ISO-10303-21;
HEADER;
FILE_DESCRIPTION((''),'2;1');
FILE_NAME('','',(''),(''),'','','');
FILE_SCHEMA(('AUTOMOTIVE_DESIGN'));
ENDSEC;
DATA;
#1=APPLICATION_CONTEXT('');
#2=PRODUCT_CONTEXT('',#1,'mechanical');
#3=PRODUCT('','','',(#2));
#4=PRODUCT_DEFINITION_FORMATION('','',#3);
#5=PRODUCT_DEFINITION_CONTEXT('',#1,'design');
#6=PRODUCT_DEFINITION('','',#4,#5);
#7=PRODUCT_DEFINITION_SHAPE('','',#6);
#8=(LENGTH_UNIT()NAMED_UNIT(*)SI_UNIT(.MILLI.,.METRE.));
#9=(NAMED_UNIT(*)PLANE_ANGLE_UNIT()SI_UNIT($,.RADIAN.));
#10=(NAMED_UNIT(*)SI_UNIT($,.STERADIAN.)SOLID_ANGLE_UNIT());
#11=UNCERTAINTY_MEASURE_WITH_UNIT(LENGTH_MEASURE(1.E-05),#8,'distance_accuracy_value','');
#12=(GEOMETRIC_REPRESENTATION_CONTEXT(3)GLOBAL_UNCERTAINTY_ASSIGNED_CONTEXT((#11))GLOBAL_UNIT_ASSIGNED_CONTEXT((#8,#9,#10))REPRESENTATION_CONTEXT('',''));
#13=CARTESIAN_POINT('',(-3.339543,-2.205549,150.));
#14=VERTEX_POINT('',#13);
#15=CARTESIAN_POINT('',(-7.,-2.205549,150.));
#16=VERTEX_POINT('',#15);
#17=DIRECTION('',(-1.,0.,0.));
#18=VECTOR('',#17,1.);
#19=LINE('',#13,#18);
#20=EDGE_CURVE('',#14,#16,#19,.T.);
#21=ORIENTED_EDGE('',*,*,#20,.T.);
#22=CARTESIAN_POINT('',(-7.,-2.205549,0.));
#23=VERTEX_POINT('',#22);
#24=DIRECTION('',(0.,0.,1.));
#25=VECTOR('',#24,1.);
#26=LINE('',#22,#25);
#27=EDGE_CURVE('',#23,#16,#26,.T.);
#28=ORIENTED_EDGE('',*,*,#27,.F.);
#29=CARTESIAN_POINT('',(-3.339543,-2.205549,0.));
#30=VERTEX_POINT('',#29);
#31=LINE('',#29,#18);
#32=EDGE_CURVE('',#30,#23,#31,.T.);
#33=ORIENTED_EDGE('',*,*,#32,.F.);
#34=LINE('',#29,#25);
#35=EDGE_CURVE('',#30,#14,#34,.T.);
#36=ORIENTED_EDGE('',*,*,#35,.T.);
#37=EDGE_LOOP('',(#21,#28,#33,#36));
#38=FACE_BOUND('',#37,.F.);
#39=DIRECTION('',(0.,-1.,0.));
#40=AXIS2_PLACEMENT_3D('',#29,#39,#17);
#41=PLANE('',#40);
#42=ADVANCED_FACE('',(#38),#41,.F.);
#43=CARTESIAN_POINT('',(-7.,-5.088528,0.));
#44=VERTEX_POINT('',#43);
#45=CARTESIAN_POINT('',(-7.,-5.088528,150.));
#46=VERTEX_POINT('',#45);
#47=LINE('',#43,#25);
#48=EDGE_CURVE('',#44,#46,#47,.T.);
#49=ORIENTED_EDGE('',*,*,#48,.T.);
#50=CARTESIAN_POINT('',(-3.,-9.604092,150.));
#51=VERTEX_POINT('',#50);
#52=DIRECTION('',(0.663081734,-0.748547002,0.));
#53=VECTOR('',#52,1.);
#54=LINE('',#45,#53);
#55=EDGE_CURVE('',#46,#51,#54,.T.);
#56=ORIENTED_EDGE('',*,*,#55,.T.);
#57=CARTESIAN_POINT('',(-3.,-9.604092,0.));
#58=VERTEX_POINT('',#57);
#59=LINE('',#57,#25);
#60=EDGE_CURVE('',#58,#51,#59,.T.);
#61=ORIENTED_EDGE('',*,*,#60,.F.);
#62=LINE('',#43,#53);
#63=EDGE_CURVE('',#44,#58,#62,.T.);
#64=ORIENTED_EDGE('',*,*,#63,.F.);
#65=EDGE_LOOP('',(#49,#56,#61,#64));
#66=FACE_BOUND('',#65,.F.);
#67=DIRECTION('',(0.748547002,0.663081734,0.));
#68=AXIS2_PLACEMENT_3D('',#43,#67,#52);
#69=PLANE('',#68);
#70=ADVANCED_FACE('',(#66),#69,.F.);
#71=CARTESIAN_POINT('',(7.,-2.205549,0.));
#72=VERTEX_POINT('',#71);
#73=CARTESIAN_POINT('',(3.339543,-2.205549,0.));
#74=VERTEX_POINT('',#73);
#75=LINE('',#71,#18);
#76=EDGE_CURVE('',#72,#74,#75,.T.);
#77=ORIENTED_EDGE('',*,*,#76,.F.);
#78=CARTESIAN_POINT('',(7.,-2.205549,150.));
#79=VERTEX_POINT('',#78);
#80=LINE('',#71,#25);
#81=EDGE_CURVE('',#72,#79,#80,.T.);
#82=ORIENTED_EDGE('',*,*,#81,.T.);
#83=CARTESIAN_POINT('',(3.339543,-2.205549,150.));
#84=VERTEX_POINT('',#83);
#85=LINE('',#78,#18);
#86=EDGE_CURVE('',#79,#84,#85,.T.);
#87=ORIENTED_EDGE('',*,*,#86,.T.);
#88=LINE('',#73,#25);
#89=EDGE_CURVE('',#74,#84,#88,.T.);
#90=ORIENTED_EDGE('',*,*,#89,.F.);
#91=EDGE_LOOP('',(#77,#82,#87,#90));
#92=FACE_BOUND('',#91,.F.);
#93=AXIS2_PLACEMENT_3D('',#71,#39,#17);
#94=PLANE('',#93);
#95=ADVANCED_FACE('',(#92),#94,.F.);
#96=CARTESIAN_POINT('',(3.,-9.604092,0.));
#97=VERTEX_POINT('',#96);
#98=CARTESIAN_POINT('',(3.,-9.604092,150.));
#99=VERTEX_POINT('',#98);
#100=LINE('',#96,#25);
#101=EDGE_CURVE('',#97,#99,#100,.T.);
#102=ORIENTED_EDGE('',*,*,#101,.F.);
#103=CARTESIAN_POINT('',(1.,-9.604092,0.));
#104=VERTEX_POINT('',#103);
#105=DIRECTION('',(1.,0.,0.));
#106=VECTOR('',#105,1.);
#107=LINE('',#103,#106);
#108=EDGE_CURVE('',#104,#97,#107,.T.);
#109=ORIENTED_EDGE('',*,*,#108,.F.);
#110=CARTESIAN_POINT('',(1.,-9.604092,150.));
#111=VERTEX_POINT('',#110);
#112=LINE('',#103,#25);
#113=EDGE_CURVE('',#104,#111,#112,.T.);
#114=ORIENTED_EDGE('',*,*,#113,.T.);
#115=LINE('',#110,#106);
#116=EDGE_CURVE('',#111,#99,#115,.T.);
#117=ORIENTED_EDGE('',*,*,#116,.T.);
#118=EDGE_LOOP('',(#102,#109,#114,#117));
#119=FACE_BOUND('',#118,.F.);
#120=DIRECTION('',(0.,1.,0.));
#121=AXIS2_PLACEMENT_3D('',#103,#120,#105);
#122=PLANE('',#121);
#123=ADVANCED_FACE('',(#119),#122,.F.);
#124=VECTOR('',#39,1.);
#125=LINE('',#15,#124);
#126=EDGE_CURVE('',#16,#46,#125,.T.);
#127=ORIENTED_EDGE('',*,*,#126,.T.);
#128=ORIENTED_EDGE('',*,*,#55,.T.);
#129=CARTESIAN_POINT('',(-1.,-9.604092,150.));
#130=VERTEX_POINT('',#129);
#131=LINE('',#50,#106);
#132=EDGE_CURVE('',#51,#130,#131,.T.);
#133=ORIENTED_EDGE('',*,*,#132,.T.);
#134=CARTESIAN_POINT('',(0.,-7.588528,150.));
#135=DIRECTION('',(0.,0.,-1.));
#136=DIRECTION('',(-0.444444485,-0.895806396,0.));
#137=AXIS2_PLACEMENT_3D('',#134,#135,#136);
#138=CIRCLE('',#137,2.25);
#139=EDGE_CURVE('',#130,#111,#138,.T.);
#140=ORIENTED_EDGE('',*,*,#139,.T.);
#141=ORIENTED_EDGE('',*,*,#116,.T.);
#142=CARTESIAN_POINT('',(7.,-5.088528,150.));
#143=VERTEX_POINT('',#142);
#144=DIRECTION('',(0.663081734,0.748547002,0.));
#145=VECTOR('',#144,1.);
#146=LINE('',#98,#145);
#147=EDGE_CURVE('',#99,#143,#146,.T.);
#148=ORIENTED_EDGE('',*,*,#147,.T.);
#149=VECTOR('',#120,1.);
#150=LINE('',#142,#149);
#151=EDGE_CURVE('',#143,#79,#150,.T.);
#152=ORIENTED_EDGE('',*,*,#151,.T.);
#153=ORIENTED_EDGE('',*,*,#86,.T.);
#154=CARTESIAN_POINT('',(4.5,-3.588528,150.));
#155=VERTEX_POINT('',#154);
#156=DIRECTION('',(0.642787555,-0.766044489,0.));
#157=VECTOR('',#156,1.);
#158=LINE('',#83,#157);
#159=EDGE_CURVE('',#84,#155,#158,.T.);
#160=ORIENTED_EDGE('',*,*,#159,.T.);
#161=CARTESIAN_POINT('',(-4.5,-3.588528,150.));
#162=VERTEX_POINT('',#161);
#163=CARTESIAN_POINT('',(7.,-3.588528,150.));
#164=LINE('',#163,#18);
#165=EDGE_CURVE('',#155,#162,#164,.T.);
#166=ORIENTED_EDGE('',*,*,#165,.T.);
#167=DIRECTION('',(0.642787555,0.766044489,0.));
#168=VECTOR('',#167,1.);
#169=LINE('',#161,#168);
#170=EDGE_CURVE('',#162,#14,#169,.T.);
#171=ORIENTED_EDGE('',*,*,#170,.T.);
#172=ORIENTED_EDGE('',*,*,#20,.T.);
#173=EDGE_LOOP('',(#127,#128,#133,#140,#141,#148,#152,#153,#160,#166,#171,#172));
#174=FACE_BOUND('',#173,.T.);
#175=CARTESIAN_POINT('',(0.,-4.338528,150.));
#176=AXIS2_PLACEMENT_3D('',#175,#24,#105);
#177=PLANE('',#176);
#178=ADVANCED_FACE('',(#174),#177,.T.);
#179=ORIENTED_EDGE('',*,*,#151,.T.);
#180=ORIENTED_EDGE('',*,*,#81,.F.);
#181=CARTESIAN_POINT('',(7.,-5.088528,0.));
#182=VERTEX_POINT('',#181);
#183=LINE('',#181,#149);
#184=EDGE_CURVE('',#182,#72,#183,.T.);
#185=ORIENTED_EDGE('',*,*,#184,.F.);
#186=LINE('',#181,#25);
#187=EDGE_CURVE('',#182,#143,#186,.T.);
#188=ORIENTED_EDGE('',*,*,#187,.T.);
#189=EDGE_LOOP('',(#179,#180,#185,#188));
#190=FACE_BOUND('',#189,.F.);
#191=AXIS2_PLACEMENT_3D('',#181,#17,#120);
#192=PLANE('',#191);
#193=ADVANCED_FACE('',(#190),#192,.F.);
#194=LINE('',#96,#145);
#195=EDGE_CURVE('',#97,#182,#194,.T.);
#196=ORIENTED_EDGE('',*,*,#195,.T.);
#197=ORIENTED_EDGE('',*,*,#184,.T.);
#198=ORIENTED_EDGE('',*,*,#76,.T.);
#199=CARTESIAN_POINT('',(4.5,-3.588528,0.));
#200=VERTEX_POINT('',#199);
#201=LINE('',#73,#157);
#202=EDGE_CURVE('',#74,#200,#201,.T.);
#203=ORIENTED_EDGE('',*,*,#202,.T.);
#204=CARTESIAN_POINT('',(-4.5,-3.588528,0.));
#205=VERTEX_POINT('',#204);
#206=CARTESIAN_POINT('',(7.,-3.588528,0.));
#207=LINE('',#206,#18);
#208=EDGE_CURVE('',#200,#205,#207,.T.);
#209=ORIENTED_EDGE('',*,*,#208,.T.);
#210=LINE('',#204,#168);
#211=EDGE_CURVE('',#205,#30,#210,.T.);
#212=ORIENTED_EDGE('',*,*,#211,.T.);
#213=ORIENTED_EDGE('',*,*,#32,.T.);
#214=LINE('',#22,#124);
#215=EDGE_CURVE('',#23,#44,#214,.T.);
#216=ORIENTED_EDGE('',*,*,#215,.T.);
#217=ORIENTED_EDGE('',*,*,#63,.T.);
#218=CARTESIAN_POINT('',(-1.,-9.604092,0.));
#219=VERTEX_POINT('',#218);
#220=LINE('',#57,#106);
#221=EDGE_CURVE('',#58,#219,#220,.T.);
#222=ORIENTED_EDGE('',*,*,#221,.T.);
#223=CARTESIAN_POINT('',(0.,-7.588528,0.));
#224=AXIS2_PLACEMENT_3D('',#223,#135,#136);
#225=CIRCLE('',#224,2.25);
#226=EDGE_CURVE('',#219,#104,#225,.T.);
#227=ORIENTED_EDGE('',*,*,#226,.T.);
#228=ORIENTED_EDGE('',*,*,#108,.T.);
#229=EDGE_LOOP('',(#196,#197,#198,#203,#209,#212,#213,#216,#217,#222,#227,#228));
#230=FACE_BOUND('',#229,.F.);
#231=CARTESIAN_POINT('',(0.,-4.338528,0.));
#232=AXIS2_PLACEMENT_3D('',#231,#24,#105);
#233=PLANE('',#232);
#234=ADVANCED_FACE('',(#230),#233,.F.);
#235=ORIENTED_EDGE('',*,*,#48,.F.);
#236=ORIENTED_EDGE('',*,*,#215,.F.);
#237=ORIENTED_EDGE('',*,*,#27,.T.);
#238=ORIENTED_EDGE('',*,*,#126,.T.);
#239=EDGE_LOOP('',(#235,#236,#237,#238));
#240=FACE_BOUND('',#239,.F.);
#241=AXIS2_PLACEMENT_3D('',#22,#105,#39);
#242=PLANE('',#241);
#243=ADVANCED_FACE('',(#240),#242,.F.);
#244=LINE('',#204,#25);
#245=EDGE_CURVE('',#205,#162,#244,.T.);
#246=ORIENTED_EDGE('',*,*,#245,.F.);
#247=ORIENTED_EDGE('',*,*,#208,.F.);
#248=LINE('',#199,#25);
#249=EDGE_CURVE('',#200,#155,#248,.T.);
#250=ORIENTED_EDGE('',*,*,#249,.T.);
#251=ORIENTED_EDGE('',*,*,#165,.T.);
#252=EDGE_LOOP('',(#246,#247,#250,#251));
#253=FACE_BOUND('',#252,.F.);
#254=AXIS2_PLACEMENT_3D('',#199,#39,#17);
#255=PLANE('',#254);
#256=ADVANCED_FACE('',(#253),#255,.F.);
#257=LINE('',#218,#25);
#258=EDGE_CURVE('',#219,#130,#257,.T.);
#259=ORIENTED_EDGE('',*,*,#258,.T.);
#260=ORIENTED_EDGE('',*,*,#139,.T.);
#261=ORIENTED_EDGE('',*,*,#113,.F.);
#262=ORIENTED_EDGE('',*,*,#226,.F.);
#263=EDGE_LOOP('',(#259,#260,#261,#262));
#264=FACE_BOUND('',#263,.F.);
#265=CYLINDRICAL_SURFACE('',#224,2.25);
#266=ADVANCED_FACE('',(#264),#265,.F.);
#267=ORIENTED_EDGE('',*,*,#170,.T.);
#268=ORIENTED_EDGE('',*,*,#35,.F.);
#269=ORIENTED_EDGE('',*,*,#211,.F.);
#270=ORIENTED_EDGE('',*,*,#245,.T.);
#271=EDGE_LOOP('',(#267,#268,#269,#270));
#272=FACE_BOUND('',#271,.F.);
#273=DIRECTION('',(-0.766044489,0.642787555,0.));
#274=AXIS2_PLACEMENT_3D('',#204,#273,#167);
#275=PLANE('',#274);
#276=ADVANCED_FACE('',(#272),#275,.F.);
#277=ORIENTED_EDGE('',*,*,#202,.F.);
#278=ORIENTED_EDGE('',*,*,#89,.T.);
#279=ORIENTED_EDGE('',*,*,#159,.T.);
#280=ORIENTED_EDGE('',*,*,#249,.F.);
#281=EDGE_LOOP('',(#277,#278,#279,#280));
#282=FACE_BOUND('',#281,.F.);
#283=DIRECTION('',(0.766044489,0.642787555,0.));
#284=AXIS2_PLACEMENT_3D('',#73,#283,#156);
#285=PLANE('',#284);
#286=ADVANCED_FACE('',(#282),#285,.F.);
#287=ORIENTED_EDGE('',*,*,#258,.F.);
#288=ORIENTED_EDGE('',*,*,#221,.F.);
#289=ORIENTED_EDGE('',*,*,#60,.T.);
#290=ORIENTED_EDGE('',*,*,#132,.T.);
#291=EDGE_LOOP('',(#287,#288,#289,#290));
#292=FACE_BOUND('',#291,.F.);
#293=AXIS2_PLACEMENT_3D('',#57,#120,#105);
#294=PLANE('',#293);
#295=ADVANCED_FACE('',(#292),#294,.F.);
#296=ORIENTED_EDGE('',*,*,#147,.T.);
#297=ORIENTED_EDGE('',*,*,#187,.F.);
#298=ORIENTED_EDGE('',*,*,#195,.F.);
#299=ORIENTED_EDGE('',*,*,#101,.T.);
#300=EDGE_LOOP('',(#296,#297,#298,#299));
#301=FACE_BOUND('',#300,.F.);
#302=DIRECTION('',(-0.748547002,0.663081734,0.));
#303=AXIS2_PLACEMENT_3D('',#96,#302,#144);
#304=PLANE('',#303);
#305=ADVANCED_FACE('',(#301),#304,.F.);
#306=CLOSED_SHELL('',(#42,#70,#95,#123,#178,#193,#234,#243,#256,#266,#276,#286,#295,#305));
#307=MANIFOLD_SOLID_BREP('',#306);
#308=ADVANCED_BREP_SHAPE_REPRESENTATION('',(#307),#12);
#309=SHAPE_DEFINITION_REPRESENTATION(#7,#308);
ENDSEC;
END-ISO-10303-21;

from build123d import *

# Parameters (mm, degrees)
F1_DEPTH = 150


with BuildPart() as f1:
    # F0 (on Top) → F1 (new body)
    with BuildSketch(Plane.XY):
        Polygon((7, -5.088528), (7, -3.588528), (4.5, -3.588528), (-4.5, -3.588528), (-7, -3.588528), (-7, -5.088528), align=None)
        Polygon((4.5, -3.588528), (7, -3.588528), (7, -2.205549), (3.339543, -2.205549), align=None)
        with BuildLine():
            Line((3, -9.604092), (7, -5.088528))
            Line((7, -5.088528), (-7, -5.088528))
            Line((-7, -5.088528), (-3, -9.604092))
            Line((-3, -9.604092), (-1, -9.604092))
            ThreePointArc((-1, -9.604092), (0, -5.338528), (1, -9.604092))
            Line((1, -9.604092), (3, -9.604092))
        make_face()
        Polygon((-7, -3.588528), (-4.5, -3.588528), (-3.339543, -2.205549), (-7, -2.205549), align=None)
    extrude(amount=F1_DEPTH)


solid = f1.part
